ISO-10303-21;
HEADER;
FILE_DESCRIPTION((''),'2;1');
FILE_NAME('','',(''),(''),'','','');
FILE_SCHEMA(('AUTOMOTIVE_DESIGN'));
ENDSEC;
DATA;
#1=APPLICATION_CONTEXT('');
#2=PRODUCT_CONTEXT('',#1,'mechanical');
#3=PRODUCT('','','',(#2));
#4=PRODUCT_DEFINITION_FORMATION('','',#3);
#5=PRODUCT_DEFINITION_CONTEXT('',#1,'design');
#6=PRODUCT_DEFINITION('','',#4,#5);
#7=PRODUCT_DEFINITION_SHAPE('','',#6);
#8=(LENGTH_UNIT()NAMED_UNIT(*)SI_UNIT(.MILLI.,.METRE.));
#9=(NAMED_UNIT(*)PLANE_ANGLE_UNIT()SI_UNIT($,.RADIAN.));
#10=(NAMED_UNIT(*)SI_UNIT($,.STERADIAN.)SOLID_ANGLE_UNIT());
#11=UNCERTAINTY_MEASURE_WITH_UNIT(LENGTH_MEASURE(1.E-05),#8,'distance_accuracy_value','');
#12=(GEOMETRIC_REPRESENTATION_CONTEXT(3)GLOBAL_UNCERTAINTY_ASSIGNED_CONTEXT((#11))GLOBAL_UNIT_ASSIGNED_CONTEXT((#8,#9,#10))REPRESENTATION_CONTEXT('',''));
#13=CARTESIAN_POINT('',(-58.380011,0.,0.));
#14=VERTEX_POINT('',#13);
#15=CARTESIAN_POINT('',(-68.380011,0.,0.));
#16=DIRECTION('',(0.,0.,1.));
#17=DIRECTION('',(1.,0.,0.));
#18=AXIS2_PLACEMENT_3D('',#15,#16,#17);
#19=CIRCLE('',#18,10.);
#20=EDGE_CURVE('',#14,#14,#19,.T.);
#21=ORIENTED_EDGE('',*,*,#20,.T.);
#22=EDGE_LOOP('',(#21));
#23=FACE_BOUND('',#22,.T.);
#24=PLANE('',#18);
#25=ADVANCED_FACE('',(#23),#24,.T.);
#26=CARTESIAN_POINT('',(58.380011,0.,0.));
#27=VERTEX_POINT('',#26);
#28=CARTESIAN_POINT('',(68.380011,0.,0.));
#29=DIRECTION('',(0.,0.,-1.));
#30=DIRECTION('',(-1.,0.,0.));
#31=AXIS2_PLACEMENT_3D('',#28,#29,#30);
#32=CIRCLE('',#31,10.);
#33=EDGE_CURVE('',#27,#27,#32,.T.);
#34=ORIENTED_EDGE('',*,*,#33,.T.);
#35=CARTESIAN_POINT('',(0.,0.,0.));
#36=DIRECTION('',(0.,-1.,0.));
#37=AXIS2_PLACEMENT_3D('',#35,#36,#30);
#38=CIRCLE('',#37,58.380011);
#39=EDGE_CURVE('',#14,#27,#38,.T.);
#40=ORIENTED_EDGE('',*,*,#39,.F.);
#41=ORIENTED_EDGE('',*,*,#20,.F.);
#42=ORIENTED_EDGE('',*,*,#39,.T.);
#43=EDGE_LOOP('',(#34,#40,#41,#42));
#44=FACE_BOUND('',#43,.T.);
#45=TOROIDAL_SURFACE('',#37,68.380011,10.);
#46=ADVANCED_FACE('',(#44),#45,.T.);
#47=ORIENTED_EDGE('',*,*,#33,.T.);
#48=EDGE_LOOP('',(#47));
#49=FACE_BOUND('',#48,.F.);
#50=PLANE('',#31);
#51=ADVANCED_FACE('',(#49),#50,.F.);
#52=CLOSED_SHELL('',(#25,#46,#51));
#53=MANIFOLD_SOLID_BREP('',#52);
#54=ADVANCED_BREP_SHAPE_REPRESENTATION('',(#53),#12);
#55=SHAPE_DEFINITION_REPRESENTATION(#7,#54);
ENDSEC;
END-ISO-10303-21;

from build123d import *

# Parameters (mm, degrees)
F0_R     = 10
F1_ANGLE = 180


with BuildPart() as f1:
    # F0 (on Top) → F1 (revolve)
    with BuildSketch(Plane.XY):
        with Locations((-68.380011, 0)):
            Circle(F0_R)
    revolve(axis=Axis((0, 12.162162, 0), (0, -1, 0)), revolution_arc=F1_ANGLE)


solid = f1.part
